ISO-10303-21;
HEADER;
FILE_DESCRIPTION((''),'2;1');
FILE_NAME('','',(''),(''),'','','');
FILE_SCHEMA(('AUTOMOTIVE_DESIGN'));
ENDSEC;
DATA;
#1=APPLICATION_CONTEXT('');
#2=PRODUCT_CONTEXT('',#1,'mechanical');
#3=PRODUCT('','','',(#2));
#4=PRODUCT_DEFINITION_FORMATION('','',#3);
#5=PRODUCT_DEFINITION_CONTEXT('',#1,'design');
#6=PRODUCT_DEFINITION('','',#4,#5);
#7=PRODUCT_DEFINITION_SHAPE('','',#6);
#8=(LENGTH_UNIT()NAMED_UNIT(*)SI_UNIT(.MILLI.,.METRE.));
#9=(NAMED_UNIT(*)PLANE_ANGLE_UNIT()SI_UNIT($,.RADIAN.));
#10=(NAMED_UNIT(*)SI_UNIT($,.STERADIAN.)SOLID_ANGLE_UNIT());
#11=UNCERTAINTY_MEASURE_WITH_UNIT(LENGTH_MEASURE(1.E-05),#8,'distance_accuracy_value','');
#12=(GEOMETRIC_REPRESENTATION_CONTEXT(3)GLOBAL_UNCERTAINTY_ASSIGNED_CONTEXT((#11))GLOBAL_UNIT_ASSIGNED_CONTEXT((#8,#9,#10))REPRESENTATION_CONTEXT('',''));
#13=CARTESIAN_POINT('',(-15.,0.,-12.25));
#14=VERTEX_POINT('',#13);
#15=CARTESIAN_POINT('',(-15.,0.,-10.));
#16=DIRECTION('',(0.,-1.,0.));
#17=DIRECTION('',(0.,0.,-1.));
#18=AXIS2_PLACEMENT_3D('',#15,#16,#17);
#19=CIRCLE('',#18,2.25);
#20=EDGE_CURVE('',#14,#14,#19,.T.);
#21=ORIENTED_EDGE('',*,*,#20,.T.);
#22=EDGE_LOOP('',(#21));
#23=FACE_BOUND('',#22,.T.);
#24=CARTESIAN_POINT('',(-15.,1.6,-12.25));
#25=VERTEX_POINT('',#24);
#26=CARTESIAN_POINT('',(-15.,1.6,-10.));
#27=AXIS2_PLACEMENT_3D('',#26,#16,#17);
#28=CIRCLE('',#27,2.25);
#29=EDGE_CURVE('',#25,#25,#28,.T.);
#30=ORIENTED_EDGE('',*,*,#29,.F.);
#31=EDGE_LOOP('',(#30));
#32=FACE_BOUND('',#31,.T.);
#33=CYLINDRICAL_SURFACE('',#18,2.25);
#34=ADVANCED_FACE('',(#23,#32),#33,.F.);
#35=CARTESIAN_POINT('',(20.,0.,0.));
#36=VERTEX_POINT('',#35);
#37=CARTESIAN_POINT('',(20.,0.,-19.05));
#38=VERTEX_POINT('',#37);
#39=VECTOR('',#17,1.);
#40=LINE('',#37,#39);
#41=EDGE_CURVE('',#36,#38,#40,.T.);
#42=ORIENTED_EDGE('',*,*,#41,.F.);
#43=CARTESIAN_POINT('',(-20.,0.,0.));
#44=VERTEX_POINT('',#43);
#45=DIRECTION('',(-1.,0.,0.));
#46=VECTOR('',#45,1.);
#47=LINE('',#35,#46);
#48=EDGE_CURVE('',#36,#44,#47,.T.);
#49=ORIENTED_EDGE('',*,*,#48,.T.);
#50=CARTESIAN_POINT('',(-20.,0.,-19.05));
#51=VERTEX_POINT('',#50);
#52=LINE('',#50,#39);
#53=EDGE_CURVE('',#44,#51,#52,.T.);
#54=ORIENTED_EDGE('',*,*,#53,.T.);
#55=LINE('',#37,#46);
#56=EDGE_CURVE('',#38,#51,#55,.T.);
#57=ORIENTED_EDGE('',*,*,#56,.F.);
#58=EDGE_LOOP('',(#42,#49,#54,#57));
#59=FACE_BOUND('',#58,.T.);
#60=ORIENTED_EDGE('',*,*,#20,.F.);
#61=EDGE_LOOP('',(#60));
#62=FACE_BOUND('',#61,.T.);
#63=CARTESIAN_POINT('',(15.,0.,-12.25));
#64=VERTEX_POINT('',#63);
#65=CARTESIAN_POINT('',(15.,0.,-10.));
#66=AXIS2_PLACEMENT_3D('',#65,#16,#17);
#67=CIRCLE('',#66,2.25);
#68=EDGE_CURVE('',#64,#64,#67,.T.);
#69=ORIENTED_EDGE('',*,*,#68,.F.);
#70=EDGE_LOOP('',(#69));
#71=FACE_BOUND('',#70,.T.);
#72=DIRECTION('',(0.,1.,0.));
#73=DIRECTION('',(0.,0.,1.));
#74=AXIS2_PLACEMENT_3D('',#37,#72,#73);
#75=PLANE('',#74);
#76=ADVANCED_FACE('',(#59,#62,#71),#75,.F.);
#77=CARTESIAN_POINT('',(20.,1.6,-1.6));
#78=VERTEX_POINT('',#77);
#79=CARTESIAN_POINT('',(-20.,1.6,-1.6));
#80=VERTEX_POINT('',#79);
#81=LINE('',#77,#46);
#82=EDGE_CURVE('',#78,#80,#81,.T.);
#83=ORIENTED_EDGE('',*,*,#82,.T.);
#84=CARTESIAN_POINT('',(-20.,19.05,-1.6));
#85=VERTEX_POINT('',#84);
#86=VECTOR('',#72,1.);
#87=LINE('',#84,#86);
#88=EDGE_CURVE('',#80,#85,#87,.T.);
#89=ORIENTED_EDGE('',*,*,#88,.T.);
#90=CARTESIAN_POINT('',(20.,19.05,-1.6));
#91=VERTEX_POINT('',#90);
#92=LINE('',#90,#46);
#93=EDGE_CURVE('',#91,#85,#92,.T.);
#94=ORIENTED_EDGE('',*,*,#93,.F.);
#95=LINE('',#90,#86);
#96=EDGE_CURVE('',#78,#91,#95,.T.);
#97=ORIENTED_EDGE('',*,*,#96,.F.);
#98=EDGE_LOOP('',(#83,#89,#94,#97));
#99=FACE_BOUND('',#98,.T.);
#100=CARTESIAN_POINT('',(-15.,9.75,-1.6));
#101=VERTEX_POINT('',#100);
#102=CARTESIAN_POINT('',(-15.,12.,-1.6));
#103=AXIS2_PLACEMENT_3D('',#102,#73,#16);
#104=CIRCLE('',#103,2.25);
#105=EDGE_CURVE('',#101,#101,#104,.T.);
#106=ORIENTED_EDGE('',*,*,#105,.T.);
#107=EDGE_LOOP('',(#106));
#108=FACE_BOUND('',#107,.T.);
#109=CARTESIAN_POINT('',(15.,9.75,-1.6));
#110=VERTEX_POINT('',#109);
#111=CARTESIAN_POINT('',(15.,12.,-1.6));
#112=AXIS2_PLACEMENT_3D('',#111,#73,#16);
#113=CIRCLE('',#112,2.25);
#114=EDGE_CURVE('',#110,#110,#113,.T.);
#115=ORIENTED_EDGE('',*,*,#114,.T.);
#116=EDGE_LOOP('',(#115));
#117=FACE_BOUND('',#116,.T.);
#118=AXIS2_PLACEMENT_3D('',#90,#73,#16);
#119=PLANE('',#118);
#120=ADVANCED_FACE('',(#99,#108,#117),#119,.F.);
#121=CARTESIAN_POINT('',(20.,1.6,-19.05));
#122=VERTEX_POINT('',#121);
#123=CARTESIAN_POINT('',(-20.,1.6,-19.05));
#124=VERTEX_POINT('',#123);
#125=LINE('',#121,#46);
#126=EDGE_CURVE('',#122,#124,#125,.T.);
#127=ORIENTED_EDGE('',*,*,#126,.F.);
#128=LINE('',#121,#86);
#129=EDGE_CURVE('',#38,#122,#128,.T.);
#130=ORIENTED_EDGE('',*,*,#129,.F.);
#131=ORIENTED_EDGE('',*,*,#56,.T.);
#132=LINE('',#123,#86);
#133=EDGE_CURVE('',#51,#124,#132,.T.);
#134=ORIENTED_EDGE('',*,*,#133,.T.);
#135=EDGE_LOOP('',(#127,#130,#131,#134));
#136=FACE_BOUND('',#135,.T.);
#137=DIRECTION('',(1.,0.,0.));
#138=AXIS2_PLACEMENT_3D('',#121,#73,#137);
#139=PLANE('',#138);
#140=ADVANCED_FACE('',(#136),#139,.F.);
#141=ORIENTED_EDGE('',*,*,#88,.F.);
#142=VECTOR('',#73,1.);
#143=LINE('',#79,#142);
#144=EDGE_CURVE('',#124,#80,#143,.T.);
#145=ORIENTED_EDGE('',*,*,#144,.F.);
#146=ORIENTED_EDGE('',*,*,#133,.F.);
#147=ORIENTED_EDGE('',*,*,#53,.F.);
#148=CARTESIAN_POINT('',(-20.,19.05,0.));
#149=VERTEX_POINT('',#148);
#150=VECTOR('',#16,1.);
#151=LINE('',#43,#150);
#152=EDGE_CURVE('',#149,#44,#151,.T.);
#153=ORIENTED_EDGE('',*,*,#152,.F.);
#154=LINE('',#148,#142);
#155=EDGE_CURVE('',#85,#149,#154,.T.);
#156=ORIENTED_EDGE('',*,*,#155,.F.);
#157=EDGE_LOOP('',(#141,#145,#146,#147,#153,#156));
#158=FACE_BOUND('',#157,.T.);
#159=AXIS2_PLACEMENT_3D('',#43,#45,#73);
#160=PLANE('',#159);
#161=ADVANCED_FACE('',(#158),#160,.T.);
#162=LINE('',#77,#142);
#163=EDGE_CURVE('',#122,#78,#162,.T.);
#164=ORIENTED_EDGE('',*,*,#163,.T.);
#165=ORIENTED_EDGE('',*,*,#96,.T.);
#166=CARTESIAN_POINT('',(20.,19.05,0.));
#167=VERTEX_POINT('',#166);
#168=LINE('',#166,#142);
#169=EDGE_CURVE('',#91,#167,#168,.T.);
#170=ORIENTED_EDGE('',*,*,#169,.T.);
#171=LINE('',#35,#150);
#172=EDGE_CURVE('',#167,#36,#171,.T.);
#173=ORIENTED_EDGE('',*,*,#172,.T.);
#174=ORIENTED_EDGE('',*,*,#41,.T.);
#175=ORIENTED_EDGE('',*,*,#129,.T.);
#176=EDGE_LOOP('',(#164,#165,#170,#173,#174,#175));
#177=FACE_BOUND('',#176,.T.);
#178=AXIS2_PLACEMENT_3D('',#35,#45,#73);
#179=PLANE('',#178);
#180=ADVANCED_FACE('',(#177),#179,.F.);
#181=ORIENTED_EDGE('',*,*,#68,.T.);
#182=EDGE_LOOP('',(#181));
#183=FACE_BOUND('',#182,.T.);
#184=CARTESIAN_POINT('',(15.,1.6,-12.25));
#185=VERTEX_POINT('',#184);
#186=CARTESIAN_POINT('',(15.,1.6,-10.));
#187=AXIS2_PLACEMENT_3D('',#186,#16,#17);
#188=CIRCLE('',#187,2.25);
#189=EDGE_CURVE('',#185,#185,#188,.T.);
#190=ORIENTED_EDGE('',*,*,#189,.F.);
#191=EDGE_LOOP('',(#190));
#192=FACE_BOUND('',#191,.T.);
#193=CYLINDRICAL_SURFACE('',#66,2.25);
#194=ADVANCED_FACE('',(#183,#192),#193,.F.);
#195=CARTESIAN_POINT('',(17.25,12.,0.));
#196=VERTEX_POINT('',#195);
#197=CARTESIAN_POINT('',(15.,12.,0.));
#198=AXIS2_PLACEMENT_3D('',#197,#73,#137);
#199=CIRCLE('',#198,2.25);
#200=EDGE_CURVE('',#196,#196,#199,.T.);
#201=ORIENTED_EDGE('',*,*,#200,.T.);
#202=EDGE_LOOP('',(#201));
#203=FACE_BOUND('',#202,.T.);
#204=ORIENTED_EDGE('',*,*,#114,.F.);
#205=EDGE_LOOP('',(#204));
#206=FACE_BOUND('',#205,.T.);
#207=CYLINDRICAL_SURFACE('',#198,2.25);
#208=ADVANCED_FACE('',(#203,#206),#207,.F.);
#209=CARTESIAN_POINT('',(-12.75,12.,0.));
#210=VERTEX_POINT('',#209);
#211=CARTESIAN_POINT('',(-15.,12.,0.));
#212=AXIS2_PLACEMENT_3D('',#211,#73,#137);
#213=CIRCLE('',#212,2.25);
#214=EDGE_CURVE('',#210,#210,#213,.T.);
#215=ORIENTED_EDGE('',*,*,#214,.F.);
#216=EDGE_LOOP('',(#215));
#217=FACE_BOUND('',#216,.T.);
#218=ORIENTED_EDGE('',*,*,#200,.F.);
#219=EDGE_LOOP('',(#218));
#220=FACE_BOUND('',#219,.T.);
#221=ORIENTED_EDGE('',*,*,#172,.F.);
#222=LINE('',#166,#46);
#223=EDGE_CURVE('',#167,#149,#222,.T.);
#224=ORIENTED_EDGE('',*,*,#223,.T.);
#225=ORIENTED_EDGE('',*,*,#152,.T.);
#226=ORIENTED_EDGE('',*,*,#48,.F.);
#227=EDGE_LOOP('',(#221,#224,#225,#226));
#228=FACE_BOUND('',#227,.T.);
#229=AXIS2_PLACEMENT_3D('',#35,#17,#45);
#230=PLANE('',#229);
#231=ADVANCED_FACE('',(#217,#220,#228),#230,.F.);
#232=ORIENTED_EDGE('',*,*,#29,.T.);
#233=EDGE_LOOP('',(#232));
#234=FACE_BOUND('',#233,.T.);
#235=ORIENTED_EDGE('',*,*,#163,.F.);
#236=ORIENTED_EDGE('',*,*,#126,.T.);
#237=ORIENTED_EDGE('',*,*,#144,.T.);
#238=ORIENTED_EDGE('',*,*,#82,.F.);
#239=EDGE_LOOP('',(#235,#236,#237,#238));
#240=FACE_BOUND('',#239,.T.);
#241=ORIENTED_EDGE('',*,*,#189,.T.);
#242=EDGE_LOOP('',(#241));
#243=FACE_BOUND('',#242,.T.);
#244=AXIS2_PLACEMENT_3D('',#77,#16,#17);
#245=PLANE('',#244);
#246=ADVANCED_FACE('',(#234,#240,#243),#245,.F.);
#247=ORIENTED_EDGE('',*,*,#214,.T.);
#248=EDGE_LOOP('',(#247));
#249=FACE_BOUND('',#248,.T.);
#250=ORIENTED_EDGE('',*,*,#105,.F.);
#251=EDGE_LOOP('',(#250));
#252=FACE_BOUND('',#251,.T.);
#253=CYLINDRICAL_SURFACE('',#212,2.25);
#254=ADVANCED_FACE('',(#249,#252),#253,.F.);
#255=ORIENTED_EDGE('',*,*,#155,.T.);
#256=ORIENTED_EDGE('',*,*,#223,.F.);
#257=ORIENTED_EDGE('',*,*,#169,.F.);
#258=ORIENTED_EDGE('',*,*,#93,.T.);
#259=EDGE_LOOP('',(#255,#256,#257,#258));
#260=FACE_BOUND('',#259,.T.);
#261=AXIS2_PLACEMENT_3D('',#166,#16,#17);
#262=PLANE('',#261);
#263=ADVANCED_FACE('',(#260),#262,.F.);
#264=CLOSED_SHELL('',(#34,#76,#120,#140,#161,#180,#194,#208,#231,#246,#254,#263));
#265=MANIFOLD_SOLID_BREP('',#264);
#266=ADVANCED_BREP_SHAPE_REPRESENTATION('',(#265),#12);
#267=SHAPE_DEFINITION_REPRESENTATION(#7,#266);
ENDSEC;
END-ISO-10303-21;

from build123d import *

# Parameters (mm, degrees)
BOSS_EXTRUDE1_DEPTH  = 20
M4_CLEARANCE_HOLE1_D = 4.5
M4_CLEARANCE_HOLE2_D = 4.5


with BuildPart() as part:
    # Sketch1 → Boss-Extrude1 (new body, symmetric)
    with BuildSketch(Plane(origin=(0, 0, 0), x_dir=(0, 0, -1), z_dir=(1, 0, 0))):
        Polygon((0, 0), (0, 19.05), (1.6, 19.05), (1.6, 1.6), (19.05, 1.6), (19.05, 0), align=None)
    extrude(amount=BOSS_EXTRUDE1_DEPTH, both=True)

    # M4 Clearance Hole1 (through all)
    with Locations(Plane.XY):
        with Locations((-15, 12), (15, 12)):
            Hole(M4_CLEARANCE_HOLE1_D / 2)

    # M4 Clearance Hole2 (through all)
    with Locations(Plane(origin=(0, 0, 0), x_dir=(-1, 0, 0), z_dir=(0, -1, 0))):
        with Locations((-15, 10), (15, 10)):
            Hole(M4_CLEARANCE_HOLE2_D / 2)


solid = part.part
